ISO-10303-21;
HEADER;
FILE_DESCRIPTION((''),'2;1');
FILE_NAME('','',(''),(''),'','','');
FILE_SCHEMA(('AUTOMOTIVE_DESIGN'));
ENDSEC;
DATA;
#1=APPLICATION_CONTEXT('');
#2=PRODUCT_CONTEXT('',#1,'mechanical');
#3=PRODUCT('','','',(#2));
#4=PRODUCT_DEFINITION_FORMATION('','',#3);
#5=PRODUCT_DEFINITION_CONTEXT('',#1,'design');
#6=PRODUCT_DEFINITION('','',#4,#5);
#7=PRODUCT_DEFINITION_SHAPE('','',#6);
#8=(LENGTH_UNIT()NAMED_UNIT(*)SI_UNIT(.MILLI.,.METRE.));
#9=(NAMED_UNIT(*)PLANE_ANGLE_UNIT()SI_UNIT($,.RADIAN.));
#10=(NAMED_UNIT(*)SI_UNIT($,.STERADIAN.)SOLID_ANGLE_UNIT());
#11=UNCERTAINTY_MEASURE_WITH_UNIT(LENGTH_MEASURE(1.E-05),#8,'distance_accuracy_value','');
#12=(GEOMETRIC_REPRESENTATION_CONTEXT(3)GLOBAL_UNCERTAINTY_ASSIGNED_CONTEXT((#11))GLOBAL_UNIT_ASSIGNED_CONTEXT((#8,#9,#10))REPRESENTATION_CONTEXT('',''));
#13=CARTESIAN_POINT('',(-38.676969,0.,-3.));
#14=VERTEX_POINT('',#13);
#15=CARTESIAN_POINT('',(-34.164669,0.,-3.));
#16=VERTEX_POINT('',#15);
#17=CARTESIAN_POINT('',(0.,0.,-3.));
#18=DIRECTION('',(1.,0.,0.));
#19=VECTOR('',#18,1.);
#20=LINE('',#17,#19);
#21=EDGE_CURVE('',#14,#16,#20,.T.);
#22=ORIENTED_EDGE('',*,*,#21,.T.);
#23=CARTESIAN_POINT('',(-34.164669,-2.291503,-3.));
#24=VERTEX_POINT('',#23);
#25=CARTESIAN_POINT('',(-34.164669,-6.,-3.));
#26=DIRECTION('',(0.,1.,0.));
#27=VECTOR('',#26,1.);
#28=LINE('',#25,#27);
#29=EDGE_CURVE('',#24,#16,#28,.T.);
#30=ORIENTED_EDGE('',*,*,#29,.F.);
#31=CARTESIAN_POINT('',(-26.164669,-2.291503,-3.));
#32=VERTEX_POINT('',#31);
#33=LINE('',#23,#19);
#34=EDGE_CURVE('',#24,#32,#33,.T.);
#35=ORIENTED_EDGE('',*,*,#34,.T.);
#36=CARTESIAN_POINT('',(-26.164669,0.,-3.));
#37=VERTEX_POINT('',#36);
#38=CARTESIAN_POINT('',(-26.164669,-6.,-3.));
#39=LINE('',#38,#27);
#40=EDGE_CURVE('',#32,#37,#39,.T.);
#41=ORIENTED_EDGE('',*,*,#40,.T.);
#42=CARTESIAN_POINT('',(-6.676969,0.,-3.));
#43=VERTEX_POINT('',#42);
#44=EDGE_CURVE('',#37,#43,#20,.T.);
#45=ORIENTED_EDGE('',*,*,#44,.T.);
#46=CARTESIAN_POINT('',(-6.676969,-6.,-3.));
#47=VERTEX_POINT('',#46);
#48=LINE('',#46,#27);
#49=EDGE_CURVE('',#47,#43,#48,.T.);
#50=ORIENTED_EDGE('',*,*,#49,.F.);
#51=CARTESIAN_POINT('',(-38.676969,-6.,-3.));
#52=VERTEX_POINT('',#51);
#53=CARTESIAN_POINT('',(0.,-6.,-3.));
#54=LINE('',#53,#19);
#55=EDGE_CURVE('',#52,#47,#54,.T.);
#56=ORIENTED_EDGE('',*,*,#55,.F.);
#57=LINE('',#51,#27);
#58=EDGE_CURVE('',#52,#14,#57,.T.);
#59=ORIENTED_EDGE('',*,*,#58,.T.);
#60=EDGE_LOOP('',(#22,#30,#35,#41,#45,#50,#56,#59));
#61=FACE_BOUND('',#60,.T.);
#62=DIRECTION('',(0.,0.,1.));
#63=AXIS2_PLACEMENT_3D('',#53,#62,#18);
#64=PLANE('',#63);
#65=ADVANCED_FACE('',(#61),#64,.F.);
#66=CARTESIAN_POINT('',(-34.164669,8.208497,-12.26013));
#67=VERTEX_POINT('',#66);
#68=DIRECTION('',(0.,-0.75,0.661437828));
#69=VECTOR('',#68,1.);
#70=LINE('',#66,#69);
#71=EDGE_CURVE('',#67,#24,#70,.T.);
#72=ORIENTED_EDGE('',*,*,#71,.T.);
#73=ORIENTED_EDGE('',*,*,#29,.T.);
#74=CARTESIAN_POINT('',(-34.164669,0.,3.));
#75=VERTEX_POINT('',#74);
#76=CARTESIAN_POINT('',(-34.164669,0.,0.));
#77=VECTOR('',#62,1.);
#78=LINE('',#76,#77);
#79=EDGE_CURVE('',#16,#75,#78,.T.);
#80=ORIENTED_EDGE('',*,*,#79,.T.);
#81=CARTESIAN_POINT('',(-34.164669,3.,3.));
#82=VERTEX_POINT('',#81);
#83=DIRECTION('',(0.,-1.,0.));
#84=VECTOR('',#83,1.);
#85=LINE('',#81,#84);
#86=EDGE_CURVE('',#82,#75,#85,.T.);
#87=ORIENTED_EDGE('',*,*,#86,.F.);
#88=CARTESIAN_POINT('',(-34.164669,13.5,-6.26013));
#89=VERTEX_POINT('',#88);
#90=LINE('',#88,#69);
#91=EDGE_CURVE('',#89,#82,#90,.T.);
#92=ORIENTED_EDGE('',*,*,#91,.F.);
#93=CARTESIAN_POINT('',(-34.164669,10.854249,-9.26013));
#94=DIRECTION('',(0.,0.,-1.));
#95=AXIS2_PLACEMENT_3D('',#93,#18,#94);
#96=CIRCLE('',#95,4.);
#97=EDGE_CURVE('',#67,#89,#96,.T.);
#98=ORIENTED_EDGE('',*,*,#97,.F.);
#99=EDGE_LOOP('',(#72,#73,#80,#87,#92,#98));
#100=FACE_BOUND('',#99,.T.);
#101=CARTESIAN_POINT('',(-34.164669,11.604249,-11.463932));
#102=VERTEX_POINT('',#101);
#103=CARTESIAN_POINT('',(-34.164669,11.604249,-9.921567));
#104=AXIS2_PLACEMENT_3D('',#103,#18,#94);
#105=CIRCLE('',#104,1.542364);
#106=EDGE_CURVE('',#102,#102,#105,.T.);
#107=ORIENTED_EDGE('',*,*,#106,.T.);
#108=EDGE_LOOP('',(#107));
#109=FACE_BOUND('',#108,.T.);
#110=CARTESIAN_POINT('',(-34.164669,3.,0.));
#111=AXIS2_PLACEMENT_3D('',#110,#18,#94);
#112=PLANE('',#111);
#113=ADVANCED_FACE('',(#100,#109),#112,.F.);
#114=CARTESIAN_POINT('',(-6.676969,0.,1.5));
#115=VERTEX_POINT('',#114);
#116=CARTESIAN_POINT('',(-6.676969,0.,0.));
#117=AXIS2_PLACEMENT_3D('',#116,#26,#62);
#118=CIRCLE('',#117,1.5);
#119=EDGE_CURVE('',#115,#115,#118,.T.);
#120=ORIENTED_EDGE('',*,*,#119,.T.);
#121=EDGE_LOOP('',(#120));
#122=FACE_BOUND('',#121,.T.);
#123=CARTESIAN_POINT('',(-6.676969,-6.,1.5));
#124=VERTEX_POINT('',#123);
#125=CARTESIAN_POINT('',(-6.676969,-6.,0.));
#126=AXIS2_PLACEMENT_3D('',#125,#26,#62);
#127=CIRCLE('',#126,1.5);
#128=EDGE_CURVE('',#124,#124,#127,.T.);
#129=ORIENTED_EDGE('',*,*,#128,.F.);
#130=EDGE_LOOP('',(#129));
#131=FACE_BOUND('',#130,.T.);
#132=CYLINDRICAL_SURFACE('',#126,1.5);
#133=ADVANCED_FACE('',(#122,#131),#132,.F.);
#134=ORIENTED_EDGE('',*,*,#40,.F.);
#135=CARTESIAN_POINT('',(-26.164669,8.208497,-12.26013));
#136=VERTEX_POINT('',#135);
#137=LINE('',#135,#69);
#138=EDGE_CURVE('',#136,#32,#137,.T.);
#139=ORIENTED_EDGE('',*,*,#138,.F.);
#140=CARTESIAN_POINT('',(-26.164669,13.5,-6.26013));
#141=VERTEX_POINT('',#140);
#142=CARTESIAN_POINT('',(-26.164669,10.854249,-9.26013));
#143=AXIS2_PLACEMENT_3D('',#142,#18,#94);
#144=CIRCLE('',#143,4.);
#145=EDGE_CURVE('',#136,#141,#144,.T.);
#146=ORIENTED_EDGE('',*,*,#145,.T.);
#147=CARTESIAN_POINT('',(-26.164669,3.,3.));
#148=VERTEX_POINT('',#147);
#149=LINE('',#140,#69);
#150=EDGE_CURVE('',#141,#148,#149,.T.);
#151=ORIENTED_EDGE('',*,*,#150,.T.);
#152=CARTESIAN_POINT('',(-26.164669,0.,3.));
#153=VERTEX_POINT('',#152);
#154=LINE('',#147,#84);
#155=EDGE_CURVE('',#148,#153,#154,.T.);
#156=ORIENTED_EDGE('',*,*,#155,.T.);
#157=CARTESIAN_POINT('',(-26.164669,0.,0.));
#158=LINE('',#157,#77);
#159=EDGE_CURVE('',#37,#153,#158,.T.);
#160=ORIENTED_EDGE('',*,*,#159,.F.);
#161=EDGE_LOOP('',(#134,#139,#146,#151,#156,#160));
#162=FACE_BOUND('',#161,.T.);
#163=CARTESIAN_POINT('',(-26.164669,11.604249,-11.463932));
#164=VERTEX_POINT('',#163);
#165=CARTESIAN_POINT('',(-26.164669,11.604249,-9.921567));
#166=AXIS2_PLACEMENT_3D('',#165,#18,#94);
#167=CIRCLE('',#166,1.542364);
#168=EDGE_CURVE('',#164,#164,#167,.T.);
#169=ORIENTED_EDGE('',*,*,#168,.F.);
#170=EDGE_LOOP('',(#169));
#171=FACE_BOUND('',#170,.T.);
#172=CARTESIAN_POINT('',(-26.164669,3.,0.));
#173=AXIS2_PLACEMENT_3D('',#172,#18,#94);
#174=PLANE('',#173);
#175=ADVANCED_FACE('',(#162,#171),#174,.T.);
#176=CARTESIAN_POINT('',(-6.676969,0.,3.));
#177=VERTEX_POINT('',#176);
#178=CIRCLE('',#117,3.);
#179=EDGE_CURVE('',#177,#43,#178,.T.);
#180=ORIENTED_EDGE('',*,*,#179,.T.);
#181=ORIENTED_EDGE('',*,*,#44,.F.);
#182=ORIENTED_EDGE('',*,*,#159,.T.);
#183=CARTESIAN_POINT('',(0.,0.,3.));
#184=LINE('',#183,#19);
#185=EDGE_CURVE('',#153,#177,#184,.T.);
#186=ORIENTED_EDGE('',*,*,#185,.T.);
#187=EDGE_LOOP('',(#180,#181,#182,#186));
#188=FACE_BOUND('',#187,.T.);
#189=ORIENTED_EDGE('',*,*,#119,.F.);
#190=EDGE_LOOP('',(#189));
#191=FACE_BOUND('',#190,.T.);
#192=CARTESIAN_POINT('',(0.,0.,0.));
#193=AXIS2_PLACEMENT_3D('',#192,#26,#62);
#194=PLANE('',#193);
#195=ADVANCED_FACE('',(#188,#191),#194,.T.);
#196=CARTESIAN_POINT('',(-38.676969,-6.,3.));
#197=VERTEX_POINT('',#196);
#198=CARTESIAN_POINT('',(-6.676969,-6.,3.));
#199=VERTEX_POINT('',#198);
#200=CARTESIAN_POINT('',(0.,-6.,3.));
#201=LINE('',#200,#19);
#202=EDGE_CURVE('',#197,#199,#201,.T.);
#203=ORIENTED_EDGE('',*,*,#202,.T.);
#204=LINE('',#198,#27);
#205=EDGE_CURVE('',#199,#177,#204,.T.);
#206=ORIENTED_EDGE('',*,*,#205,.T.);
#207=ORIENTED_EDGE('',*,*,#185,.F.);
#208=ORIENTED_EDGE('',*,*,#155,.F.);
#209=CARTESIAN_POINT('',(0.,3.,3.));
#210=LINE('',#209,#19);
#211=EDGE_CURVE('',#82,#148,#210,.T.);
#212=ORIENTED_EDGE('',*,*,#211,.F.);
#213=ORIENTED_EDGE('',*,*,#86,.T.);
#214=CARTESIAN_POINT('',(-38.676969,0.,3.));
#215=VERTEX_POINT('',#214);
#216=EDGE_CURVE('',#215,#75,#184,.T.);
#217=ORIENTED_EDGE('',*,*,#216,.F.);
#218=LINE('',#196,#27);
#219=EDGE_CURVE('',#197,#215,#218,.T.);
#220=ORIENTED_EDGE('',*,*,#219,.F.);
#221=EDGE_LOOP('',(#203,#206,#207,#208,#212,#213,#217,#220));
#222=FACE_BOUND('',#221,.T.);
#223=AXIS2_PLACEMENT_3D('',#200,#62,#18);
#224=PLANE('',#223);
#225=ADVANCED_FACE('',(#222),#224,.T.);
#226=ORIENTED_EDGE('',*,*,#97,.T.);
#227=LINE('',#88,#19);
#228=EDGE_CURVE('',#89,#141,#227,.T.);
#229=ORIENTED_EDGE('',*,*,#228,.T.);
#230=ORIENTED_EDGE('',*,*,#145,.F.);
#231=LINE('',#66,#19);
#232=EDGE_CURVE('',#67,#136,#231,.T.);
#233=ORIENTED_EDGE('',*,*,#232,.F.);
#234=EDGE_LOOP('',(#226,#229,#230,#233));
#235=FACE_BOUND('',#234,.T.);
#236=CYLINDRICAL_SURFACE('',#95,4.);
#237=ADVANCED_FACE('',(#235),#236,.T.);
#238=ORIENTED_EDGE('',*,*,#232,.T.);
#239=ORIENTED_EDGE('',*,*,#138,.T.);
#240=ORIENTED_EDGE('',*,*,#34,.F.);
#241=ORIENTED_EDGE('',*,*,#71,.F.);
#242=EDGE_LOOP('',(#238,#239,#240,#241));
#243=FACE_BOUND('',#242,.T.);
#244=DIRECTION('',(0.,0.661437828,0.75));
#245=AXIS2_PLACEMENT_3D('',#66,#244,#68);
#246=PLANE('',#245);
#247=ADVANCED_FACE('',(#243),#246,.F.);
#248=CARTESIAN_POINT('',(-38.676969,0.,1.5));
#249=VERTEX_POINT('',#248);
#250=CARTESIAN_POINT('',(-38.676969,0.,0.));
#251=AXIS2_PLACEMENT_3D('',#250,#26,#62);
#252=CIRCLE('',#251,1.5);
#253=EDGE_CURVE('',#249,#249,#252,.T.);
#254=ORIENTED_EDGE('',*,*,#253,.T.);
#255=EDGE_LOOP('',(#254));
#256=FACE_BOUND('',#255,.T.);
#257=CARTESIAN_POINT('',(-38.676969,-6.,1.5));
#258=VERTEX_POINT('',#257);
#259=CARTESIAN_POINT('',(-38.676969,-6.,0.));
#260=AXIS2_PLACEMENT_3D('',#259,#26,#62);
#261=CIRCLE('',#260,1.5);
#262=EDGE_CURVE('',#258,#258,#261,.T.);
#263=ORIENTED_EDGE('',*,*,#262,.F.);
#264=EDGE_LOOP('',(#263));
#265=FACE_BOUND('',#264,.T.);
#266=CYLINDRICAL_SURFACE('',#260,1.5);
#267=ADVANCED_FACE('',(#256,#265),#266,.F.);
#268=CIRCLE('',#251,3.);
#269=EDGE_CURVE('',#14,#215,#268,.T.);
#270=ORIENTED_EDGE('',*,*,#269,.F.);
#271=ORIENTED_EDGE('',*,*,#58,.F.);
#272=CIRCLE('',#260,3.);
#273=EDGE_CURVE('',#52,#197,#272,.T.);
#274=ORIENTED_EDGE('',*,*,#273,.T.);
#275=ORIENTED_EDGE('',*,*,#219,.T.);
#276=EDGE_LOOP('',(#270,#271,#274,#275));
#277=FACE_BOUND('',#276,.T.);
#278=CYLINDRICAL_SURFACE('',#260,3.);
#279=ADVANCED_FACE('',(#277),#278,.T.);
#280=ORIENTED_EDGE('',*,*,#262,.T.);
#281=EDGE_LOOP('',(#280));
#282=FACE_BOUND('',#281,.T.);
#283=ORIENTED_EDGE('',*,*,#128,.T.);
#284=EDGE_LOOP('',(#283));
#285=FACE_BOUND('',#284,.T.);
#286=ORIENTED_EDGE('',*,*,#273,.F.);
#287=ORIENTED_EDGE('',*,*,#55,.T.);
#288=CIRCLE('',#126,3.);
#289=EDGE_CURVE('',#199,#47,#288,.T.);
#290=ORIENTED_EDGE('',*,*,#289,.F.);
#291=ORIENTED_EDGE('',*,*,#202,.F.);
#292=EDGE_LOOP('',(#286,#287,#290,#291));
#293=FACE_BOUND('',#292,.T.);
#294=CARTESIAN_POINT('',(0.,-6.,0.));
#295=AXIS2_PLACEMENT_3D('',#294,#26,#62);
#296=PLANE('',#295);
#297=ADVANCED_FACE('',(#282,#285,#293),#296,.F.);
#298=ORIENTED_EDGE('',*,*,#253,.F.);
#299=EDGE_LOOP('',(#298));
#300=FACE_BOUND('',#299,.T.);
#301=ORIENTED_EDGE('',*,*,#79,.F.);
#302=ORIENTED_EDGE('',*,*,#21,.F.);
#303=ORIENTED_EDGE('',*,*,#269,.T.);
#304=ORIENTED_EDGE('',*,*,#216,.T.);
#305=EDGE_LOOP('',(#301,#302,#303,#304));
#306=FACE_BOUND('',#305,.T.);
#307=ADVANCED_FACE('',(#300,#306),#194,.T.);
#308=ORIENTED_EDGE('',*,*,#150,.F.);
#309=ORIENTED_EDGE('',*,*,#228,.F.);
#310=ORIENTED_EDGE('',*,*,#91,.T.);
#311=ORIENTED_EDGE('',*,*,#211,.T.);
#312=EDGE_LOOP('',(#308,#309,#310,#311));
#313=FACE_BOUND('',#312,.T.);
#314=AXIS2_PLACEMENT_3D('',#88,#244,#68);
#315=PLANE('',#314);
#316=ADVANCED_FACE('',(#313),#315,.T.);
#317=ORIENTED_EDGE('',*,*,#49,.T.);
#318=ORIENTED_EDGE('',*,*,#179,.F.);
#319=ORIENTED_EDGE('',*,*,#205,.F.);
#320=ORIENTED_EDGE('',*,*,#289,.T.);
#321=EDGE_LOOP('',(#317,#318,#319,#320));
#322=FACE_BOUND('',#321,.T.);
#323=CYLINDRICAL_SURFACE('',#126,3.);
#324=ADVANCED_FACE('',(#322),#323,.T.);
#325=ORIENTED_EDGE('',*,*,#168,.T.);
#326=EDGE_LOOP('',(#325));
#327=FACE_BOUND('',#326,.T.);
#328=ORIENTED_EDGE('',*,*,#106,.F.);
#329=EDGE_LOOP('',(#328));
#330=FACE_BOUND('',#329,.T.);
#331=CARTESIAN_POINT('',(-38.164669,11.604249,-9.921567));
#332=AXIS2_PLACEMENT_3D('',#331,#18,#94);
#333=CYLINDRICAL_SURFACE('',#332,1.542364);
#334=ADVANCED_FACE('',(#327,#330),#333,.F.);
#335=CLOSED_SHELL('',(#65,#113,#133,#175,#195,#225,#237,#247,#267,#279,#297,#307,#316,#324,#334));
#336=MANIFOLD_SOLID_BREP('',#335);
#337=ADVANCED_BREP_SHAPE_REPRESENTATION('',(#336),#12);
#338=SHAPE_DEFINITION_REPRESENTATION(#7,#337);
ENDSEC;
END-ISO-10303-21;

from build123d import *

# Parameters (mm, degrees)
SKETCH_1_R          = 1.5
EXTRUDE_2_DEPTH     = 6
SKETCH_1_4_W        = 8
SKETCH_1_4_H        = 6
EXTRUDE_3_DEPTH     = 3
EXTRUDE_28_DEPTH    = 8
SKETCH_8_R          = 1.542364341
CUT_EXTRUDE_2_DEPTH = 12


with BuildPart() as part:
    # 草圖1 → 填料-伸長2 (new body)
    with BuildSketch(Plane(origin=(0, 0, 0), x_dir=(1, 0, 0), z_dir=(0, 1, 0))):
        with BuildLine():
            Line((-38.676968887, -3), (-6.676968887, -3))
            ThreePointArc((-6.676968887, -3), (-3.676968887, 0), (-6.676968887, 3))
            Line((-6.676968887, 3), (-38.676968887, 3))
            ThreePointArc((-38.676968887, 3), (-41.676968887, 0), (-38.676968887, -3))
        make_face()
        with Locations((-38.676968887, 0)):
            Circle(SKETCH_1_R, mode=Mode.SUBTRACT)
        with Locations((-6.676968887, 0)):
            Circle(SKETCH_1_R, mode=Mode.SUBTRACT)
    extrude(amount=-EXTRUDE_2_DEPTH)

    # 草圖1<4> → 填料-伸長3 (add)
    with BuildSketch(Plane(origin=(0, 0, 0), x_dir=(1, 0, 0), z_dir=(0, 1, 0))):
        with Locations((-30.164668836, 0)):
            Rectangle(SKETCH_1_4_W, SKETCH_1_4_H)
    extrude(amount=EXTRUDE_3_DEPTH)

    # 草圖3 → 填料-伸長28 (add)
    with BuildSketch(Plane(origin=(-26.164668836, 0, 0), x_dir=(0, 0, -1), z_dir=(1, 0, 0))):
        with BuildLine():
            Line((3, -2.291502622), (12.260129589, 8.208497378))
            ThreePointArc((12.260129589, 8.208497378), (11.9058809, 13.854248689), (6.260129589, 13.5))
            Line((6.260129589, 13.5), (-3, 3))
            Line((-3, 3), (3, -2.291502622))
        make_face()
    extrude(amount=-EXTRUDE_28_DEPTH)

    # 草圖8 → 除料-伸長2 (cut)
    with BuildSketch(Plane(origin=(-26.164668836, 0, 0), x_dir=(0, 0, -1), z_dir=(1, 0, 0))):
        with Locations((9.921567416, 11.604248689)):
            Circle(SKETCH_8_R)
    extrude(amount=-CUT_EXTRUDE_2_DEPTH, mode=Mode.SUBTRACT)


solid = part.part
